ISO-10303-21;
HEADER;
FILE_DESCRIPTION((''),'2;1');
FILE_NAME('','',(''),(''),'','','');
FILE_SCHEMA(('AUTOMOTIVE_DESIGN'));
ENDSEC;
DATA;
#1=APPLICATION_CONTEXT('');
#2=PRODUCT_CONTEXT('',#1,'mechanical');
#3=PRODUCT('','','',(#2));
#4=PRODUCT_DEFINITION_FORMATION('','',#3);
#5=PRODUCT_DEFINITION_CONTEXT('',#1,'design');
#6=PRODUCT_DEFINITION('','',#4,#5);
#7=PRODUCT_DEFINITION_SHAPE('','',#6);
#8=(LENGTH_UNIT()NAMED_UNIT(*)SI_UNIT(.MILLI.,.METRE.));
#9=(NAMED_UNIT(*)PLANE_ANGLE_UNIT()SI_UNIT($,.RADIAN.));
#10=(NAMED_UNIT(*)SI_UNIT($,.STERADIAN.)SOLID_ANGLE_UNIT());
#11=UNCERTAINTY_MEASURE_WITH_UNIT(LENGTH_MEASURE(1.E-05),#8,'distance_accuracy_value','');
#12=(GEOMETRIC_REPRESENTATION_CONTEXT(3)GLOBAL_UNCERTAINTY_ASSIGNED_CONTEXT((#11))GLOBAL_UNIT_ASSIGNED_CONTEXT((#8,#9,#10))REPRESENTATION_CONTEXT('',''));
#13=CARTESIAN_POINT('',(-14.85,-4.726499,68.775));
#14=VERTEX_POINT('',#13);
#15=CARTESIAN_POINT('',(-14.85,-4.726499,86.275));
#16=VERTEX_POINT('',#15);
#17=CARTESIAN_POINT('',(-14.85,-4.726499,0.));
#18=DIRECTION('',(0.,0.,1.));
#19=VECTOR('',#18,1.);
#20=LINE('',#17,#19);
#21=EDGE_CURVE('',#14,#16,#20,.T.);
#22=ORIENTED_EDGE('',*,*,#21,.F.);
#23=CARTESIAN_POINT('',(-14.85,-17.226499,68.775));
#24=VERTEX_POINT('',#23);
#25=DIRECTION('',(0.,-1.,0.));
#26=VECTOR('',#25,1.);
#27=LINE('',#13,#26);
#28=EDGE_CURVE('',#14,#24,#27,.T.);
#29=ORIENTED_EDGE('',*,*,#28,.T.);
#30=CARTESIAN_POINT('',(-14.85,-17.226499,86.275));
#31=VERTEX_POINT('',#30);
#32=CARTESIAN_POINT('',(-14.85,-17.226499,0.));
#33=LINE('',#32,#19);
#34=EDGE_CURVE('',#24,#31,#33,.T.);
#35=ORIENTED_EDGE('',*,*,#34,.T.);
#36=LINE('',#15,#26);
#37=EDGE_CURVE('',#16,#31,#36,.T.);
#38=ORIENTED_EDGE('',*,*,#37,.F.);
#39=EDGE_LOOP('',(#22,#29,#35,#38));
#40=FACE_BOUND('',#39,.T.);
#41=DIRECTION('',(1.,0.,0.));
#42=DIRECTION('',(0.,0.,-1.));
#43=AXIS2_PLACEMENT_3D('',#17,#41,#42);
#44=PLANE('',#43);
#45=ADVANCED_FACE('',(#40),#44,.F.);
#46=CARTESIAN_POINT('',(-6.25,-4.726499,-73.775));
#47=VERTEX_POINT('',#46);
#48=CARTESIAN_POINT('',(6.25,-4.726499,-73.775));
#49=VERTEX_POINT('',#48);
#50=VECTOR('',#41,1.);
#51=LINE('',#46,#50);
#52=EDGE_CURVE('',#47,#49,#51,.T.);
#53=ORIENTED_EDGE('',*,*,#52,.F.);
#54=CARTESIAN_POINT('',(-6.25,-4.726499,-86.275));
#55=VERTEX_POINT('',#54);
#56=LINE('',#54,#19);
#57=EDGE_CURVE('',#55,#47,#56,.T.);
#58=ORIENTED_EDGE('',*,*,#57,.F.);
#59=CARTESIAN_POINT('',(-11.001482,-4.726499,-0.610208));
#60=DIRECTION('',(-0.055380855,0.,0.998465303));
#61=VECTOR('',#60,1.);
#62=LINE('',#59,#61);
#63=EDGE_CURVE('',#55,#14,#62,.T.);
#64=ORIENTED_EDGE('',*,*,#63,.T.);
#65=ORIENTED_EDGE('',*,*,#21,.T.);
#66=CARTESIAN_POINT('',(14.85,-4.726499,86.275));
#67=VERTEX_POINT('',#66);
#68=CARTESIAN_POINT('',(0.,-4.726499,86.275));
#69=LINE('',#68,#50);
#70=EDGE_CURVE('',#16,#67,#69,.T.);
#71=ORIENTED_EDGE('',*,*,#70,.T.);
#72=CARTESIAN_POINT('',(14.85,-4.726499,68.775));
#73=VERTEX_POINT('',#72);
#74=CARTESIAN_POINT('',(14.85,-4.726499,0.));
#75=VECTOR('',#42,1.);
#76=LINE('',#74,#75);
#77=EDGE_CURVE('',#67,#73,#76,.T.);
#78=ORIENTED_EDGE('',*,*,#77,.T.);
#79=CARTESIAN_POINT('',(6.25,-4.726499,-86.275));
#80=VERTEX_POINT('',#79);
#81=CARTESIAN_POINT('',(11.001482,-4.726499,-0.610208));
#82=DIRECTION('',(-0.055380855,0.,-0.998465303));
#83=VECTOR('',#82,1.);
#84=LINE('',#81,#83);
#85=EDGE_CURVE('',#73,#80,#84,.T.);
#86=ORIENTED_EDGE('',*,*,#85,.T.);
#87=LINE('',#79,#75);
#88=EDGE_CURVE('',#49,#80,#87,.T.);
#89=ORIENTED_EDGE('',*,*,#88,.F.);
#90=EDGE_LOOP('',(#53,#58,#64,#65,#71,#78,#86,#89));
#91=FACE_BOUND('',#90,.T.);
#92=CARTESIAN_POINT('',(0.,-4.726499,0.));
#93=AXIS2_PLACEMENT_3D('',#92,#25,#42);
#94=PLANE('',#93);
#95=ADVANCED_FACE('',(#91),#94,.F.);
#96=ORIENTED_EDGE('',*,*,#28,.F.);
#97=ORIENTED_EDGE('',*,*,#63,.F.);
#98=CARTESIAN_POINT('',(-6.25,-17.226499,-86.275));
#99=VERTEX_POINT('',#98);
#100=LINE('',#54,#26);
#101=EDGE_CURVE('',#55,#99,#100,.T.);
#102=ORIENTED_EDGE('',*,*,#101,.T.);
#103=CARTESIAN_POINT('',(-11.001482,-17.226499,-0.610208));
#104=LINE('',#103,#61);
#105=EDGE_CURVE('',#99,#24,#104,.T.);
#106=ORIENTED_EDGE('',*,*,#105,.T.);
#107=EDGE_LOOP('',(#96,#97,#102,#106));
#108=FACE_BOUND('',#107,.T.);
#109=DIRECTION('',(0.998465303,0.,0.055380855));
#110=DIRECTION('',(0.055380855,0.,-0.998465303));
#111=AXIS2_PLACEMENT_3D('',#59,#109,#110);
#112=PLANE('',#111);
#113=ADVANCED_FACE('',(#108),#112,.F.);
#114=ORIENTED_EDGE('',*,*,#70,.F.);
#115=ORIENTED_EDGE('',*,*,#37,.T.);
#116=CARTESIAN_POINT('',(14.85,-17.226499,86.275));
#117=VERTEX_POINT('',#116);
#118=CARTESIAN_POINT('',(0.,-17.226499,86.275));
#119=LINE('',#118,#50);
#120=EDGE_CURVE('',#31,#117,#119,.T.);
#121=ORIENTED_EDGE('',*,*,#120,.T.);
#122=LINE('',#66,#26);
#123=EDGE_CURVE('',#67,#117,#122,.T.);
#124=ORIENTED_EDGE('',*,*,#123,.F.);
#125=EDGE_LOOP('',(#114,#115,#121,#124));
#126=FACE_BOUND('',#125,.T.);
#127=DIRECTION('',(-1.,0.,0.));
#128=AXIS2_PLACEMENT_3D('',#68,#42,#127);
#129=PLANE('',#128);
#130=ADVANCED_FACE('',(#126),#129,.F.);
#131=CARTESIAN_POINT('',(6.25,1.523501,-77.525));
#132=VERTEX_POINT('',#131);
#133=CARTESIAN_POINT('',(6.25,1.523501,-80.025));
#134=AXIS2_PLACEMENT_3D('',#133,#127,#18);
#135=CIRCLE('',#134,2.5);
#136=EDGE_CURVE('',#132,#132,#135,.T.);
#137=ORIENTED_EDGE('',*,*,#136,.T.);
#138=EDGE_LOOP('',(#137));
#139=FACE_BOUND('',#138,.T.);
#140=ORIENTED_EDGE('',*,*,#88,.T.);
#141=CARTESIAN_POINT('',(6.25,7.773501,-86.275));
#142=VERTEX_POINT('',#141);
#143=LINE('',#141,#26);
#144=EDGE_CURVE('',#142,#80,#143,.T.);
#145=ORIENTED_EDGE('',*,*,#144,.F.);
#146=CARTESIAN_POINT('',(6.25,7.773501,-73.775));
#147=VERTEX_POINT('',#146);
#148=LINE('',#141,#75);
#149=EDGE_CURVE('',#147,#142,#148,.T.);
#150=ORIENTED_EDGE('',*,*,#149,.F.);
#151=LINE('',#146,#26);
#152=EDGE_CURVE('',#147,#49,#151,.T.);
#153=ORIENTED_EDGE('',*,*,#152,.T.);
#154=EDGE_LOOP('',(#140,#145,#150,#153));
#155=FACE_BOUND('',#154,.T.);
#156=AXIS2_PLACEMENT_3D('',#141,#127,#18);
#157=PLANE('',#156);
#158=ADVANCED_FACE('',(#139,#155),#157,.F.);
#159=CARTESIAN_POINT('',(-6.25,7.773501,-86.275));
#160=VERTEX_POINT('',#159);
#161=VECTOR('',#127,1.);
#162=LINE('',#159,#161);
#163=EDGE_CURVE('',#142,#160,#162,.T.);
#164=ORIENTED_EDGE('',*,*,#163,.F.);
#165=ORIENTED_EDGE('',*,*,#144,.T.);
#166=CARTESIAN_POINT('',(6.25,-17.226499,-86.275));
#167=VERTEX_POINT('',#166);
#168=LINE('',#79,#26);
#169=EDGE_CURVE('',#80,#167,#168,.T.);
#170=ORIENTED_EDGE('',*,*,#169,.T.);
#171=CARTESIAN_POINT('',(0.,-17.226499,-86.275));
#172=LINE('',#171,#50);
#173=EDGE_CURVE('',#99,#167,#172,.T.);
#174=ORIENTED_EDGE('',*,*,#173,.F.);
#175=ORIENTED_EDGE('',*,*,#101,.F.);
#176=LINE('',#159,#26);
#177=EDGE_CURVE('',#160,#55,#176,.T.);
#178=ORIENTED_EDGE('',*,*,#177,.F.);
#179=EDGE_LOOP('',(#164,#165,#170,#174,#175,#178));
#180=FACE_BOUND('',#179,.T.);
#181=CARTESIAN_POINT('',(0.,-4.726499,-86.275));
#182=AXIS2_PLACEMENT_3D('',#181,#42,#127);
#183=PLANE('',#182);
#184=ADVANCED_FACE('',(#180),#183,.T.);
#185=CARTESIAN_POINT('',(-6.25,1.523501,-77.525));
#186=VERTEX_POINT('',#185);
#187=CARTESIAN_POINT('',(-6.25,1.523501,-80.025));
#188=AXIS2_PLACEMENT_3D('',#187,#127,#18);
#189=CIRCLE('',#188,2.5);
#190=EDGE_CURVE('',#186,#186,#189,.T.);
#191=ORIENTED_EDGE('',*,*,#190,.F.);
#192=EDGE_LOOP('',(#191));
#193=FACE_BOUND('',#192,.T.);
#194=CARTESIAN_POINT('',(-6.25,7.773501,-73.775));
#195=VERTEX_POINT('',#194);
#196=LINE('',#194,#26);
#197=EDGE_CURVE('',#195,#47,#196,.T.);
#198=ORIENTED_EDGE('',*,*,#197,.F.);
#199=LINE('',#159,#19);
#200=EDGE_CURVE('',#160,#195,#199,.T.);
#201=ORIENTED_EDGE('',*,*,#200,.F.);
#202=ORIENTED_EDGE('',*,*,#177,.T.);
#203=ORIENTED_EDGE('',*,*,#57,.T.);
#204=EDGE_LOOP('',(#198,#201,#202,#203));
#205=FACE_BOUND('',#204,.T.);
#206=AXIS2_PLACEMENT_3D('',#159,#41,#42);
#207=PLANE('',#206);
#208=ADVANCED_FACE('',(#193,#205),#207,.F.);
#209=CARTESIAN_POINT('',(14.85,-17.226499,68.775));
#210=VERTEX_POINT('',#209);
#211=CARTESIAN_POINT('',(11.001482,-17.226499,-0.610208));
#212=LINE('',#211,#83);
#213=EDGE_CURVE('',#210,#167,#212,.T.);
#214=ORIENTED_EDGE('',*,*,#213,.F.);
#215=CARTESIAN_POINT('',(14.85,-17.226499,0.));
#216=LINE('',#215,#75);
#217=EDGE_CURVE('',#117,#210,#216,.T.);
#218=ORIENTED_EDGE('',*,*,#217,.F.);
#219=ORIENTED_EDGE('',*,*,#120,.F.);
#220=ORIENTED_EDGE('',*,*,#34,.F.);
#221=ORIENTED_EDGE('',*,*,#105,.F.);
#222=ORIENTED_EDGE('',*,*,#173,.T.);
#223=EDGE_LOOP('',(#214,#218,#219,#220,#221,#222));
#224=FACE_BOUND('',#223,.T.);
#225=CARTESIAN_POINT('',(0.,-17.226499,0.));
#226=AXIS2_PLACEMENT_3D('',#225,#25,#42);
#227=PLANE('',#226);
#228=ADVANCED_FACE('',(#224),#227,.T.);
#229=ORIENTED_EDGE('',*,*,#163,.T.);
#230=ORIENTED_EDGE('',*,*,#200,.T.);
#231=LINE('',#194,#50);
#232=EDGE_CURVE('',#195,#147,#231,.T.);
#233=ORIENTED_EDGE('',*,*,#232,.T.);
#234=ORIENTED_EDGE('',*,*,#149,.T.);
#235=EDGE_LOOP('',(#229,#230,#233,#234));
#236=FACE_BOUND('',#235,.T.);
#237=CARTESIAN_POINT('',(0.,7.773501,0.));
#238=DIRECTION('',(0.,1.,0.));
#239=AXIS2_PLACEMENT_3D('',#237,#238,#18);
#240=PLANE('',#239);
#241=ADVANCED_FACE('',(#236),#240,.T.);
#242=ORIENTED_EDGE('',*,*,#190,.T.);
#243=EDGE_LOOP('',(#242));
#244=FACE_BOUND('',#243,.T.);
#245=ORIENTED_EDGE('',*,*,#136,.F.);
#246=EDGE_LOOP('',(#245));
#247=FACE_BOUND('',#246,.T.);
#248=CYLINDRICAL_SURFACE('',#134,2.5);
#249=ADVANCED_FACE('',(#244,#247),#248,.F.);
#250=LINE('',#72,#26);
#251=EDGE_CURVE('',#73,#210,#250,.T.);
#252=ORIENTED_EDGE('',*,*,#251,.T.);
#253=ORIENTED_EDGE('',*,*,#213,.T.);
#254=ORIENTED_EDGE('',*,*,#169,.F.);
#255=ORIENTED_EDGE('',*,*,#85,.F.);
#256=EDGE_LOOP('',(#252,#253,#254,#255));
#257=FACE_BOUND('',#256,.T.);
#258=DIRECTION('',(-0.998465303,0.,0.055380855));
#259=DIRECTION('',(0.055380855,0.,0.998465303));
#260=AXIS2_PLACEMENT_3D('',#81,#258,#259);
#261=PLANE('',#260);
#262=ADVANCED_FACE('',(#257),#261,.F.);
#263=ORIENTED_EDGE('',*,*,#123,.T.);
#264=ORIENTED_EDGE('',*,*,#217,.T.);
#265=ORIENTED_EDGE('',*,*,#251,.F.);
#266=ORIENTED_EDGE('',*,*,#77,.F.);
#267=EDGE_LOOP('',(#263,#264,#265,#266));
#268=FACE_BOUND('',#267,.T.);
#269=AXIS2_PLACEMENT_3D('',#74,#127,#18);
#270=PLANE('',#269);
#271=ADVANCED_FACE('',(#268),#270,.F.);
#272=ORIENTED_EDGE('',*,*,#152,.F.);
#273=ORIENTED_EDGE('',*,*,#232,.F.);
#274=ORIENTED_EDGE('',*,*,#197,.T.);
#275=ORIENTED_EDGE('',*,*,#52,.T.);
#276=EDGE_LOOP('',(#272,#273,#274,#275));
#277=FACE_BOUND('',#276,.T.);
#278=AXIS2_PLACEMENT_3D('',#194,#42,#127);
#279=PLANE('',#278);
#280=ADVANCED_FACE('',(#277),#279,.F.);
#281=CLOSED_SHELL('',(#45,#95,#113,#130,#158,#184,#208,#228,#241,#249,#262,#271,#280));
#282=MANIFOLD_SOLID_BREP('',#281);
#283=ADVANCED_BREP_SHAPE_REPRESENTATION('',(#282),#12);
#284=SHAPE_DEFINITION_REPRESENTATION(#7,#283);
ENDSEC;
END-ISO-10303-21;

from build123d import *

# Parameters (mm, degrees)
SKETCH3_W            = 220
SKETCH3_H            = 220
BOSS_EXTRUDE1_DEPTH  = 10
CUT_EXTRUDE1_DEPTH   = 10
SKETCH5_W            = 450
SKETCH5_H            = 450
SKETCH5_W_2          = 400
SKETCH5_H_2          = 400
BOSS_EXTRUDE3_DEPTH  = 25
CUT_EXTRUDE2_DEPTH   = 25
SKETCH9_W            = 450
SKETCH9_H            = 50
CUT_EXTRUDE3_DEPTH   = 25
SKETCH10_W           = 450
SKETCH10_H           = 40
CUT_EXTRUDE4_DEPTH   = 25
SKETCH11_W           = 25
SKETCH11_H           = 25
BOSS_EXTRUDE5_DEPTH  = 25
SKETCH12_W           = 25
SKETCH12_H           = 25
BOSS_EXTRUDE6_DEPTH  = 25
SKETCH13_W           = 25
SKETCH13_H           = 25
BOSS_EXTRUDE7_DEPTH  = 25
SKETCH14_R           = 5
CUT_EXTRUDE5_DEPTH   = 25
BOSS_EXTRUDE8_DEPTH  = 25
BOSS_EXTRUDE9_DEPTH  = 25
CUT_EXTRUDE6_DEPTH   = 25
BOSS_EXTRUDE10_DEPTH = 25
BOSS_EXTRUDE11_DEPTH = 25
BOSS_EXTRUDE12_DEPTH = 400
BOSS_EXTRUDE13_DEPTH = 400
CUT_EXTRUDE7_DEPTH   = 450
SKETCH24_W           = 50
SKETCH24_H           = 59.452998038
CUT_EXTRUDE8_DEPTH   = 350
SKETCH25_W           = 25
SKETCH25_H           = 59.452998038
BOSS_EXTRUDE14_DEPTH = 35
SKETCH26_W           = 12.5
SKETCH26_H           = 172.55
BOSS_EXTRUDE15_DEPTH = 12.5
SKETCH27_W           = 12.5
SKETCH27_H           = 12.5
BOSS_EXTRUDE16_DEPTH = 12.5
SKETCH28_R           = 2.5
CUT_EXTRUDE9_DEPTH   = 12.5
SKETCH29_W           = 116.183817877
SKETCH29_H           = 120.115800598
CUT_EXTRUDE10_DEPTH  = 800


with BuildPart() as part:
    # Sketch3 → Boss-Extrude1 (new body)
    with BuildSketch(Plane(origin=(0, 0, 0), x_dir=(1, 0, 0), z_dir=(0, 1, 0))):
        Rectangle(SKETCH3_W, SKETCH3_H)
    extrude(amount=BOSS_EXTRUDE1_DEPTH)

    # Sketch4 → Cut-Extrude1 (cut)
    with BuildSketch(Plane(origin=(0, 10, 0), x_dir=(1, 0, 0), z_dir=(0, 1, 0))):
        Polygon((0, -110), (-110, 110), (-110, -110), align=None)
        Polygon((110, 110), (0, -110), (110, -110), align=None)
    extrude(amount=-CUT_EXTRUDE1_DEPTH, mode=Mode.SUBTRACT)

    # Sketch17 → Cut-Extrude6 (cut)
    with BuildSketch(Plane(origin=(0, 10, 0), x_dir=(1, 0, 0), z_dir=(0, 1, 0))):
        Polygon((-110, 110), (110, 110), (0, -110), align=None)
    extrude(amount=-CUT_EXTRUDE6_DEPTH, mode=Mode.SUBTRACT)


with BuildPart() as body_2:
    # Sketch5 → Boss-Extrude3 (new body)
    with BuildSketch(Plane.XZ):
        Rectangle(SKETCH5_W, SKETCH5_H)
        Rectangle(SKETCH5_W_2, SKETCH5_H_2, mode=Mode.SUBTRACT)
    extrude(amount=-BOSS_EXTRUDE3_DEPTH)

    # Sketch8 → Cut-Extrude2 (cut)
    with BuildSketch(Plane(origin=(0, 25, 0), x_dir=(1, 0, 0), z_dir=(0, 1, 0))):
        Polygon((-225, 200), (-200, 200), (225, 200), (225, 225), (-225, 225), align=None)
    extrude(amount=-CUT_EXTRUDE2_DEPTH, mode=Mode.SUBTRACT)

    # Sketch9 → Cut-Extrude3 (cut)
    with BuildSketch(Plane(origin=(0, 25, 0), x_dir=(1, 0, 0), z_dir=(0, 1, 0))):
        with Locations((0, 175)):
            Rectangle(SKETCH9_W, SKETCH9_H)
    extrude(amount=-CUT_EXTRUDE3_DEPTH, mode=Mode.SUBTRACT)

    # Sketch10 → Cut-Extrude4 (cut)
    with BuildSketch(Plane(origin=(0, 25, 0), x_dir=(1, 0, 0), z_dir=(0, 1, 0))):
        with Locations((0, 130)):
            Rectangle(SKETCH10_W, SKETCH10_H)
    extrude(amount=-CUT_EXTRUDE4_DEPTH, mode=Mode.SUBTRACT)

    # Sketch11 → Boss-Extrude5 (add)
    with BuildSketch(Plane(origin=(0, 0, -110), x_dir=(-1, 0, 0), z_dir=(0, 0, -1))):
        with Locations((212.5, 12.5)):
            Rectangle(SKETCH11_W, SKETCH11_H)
        with Locations((-212.5, 12.5)):
            Rectangle(SKETCH11_W, SKETCH11_H)
    extrude(amount=BOSS_EXTRUDE5_DEPTH)

    # Sketch12 → Boss-Extrude6 (add)
    with BuildSketch(Plane(origin=(-200, 0, 0), x_dir=(0, 0, -1), z_dir=(1, 0, 0))):
        with Locations((122.5, 12.5)):
            Rectangle(SKETCH12_W, SKETCH12_H)
    extrude(amount=BOSS_EXTRUDE6_DEPTH)

    # Sketch13 → Boss-Extrude7 (add)
    with BuildSketch(Plane.ZY.offset(-200)):
        with Locations((-122.5, 12.5)):
            Rectangle(SKETCH13_W, SKETCH13_H)
    extrude(amount=BOSS_EXTRUDE7_DEPTH)

    # Sketch14 → Cut-Extrude5 (cut)
    with BuildSketch(Plane(origin=(0, 25, 0), x_dir=(1, 0, 0), z_dir=(0, 1, 0))):
        with Locations(Location((-187.5, 122.5, 0), (0, 0, 270))):  # turned: the seam where the file's is
            Circle(SKETCH14_R)
        with Locations(Location((187.5, 122.5, 0), (0, 0, 270))):  # turned: the seam where the file's is
            Circle(SKETCH14_R)
    extrude(amount=-CUT_EXTRUDE5_DEPTH, mode=Mode.SUBTRACT)

    # Sketch15 → Boss-Extrude8 (add)
    with BuildSketch(Plane.ZY.offset(225)):
        Polygon((225, 0), (225, -20), (-135, 0), align=None)
        Polygon((225, 25), (225, 45), (-135, 25), align=None)
    extrude(amount=-BOSS_EXTRUDE8_DEPTH)

    # Sketch16 → Boss-Extrude9 (add)
    with BuildSketch(Plane(origin=(225, 0, 0), x_dir=(0, 0, -1), z_dir=(1, 0, 0))):
        Polygon((-225, 45), (-225, 25), (135, 25), align=None)
        Polygon((-225, 0), (-225, -20), (135, 0), align=None)
    extrude(amount=-BOSS_EXTRUDE9_DEPTH)

    # Sketch18 → Boss-Extrude10 (add)
    with BuildSketch(Plane.ZY.offset(225)):
        Polygon((175.07698234, 42.226499019), (225, 45), (225, 125), align=None)
        Polygon((225, -100), (225, -20), (175.07698234, -17.226499019), align=None)
    extrude(amount=-BOSS_EXTRUDE10_DEPTH)

    # Sketch19 → Boss-Extrude11 (add)
    with BuildSketch(Plane(origin=(225, 0, 0), x_dir=(0, 0, -1), z_dir=(1, 0, 0))):
        Polygon((-225, 125), (-225, 45), (-175.07698234, 42.226499019), align=None)
        Polygon((-225, -20), (-225, -100), (-175.07698234, -17.226499019), align=None)
    extrude(amount=-BOSS_EXTRUDE11_DEPTH)

    # Sketch20 → Boss-Extrude12 (add)
    with BuildSketch(Plane(origin=(-200, 0, 0), x_dir=(0, 0, -1), z_dir=(1, 0, 0))):
        Polygon((-200, 25), (-225, 125), (-225, 25), align=None)
    extrude(amount=BOSS_EXTRUDE12_DEPTH)

    # Sketch21 → Boss-Extrude13 (add)
    with BuildSketch(Plane(origin=(-200, 0, 0), x_dir=(0, 0, -1), z_dir=(1, 0, 0))):
        Polygon((-225, 0), (-225, -100), (-200, 0), align=None)
    extrude(amount=BOSS_EXTRUDE13_DEPTH)

    # Sketch22 → Cut-Extrude7 (cut)
    with BuildSketch(Plane.ZY.offset(225)):
        Polygon((175.07698234, -17.226499019), (175.07698234, 42.226499019), (225, 125), (225, -100), align=None)
    extrude(amount=-CUT_EXTRUDE7_DEPTH, mode=Mode.SUBTRACT)

    # Sketch24 → Cut-Extrude8 (cut)
    with BuildSketch(Plane.XY.offset(175.07698234)):
        with Locations((-200, 12.5)):
            Rectangle(SKETCH24_W, SKETCH24_H)
    extrude(amount=-CUT_EXTRUDE8_DEPTH, mode=Mode.SUBTRACT)

    # Sketch25 → Boss-Extrude14 (add)
    with BuildSketch(Plane.XY.offset(175.07698234)):
        with Locations((212.5, 12.5)):
            Rectangle(SKETCH25_W, SKETCH25_H)
    extrude(amount=BOSS_EXTRUDE14_DEPTH)

    # Sketch29 → Cut-Extrude10 (cut)
    with BuildSketch(Plane.XY.offset(210.07698234)):
        with Locations((211.346821748, 11.078491342)):
            Rectangle(SKETCH29_W, SKETCH29_H)
    extrude(amount=-CUT_EXTRUDE10_DEPTH, mode=Mode.SUBTRACT)


with BuildPart() as body_2_2:
    # Sketch26 → Boss-Extrude15 (new body)
    with BuildSketch(Plane.XZ.offset(17.226499019)):
        Rectangle(SKETCH26_W, SKETCH26_H)
        Polygon((14.85, 86.275), (6.25, 86.275), (6.25, -86.275), (14.85, 68.775), align=None)
        Polygon((-14.85, 68.775), (-14.85, 86.275), (-6.25, 86.275), (-6.25, -86.275), align=None)
    extrude(amount=-BOSS_EXTRUDE15_DEPTH)

    # Sketch27 → Boss-Extrude16 (add)
    with BuildSketch(Plane(origin=(0, -4.726499019, 0), x_dir=(1, 0, 0), z_dir=(0, 1, 0))):
        with Locations((0, 80.025)):
            Rectangle(SKETCH27_W, SKETCH27_H)
    extrude(amount=BOSS_EXTRUDE16_DEPTH)

    # Sketch28 → Cut-Extrude9 (cut)
    with BuildSketch(Plane.ZY.offset(6.25)):
        with Locations((-80.025, 1.523500981)):
            Circle(SKETCH28_R)
    extrude(amount=-CUT_EXTRUDE9_DEPTH, mode=Mode.SUBTRACT)


solid = body_2_2.part
